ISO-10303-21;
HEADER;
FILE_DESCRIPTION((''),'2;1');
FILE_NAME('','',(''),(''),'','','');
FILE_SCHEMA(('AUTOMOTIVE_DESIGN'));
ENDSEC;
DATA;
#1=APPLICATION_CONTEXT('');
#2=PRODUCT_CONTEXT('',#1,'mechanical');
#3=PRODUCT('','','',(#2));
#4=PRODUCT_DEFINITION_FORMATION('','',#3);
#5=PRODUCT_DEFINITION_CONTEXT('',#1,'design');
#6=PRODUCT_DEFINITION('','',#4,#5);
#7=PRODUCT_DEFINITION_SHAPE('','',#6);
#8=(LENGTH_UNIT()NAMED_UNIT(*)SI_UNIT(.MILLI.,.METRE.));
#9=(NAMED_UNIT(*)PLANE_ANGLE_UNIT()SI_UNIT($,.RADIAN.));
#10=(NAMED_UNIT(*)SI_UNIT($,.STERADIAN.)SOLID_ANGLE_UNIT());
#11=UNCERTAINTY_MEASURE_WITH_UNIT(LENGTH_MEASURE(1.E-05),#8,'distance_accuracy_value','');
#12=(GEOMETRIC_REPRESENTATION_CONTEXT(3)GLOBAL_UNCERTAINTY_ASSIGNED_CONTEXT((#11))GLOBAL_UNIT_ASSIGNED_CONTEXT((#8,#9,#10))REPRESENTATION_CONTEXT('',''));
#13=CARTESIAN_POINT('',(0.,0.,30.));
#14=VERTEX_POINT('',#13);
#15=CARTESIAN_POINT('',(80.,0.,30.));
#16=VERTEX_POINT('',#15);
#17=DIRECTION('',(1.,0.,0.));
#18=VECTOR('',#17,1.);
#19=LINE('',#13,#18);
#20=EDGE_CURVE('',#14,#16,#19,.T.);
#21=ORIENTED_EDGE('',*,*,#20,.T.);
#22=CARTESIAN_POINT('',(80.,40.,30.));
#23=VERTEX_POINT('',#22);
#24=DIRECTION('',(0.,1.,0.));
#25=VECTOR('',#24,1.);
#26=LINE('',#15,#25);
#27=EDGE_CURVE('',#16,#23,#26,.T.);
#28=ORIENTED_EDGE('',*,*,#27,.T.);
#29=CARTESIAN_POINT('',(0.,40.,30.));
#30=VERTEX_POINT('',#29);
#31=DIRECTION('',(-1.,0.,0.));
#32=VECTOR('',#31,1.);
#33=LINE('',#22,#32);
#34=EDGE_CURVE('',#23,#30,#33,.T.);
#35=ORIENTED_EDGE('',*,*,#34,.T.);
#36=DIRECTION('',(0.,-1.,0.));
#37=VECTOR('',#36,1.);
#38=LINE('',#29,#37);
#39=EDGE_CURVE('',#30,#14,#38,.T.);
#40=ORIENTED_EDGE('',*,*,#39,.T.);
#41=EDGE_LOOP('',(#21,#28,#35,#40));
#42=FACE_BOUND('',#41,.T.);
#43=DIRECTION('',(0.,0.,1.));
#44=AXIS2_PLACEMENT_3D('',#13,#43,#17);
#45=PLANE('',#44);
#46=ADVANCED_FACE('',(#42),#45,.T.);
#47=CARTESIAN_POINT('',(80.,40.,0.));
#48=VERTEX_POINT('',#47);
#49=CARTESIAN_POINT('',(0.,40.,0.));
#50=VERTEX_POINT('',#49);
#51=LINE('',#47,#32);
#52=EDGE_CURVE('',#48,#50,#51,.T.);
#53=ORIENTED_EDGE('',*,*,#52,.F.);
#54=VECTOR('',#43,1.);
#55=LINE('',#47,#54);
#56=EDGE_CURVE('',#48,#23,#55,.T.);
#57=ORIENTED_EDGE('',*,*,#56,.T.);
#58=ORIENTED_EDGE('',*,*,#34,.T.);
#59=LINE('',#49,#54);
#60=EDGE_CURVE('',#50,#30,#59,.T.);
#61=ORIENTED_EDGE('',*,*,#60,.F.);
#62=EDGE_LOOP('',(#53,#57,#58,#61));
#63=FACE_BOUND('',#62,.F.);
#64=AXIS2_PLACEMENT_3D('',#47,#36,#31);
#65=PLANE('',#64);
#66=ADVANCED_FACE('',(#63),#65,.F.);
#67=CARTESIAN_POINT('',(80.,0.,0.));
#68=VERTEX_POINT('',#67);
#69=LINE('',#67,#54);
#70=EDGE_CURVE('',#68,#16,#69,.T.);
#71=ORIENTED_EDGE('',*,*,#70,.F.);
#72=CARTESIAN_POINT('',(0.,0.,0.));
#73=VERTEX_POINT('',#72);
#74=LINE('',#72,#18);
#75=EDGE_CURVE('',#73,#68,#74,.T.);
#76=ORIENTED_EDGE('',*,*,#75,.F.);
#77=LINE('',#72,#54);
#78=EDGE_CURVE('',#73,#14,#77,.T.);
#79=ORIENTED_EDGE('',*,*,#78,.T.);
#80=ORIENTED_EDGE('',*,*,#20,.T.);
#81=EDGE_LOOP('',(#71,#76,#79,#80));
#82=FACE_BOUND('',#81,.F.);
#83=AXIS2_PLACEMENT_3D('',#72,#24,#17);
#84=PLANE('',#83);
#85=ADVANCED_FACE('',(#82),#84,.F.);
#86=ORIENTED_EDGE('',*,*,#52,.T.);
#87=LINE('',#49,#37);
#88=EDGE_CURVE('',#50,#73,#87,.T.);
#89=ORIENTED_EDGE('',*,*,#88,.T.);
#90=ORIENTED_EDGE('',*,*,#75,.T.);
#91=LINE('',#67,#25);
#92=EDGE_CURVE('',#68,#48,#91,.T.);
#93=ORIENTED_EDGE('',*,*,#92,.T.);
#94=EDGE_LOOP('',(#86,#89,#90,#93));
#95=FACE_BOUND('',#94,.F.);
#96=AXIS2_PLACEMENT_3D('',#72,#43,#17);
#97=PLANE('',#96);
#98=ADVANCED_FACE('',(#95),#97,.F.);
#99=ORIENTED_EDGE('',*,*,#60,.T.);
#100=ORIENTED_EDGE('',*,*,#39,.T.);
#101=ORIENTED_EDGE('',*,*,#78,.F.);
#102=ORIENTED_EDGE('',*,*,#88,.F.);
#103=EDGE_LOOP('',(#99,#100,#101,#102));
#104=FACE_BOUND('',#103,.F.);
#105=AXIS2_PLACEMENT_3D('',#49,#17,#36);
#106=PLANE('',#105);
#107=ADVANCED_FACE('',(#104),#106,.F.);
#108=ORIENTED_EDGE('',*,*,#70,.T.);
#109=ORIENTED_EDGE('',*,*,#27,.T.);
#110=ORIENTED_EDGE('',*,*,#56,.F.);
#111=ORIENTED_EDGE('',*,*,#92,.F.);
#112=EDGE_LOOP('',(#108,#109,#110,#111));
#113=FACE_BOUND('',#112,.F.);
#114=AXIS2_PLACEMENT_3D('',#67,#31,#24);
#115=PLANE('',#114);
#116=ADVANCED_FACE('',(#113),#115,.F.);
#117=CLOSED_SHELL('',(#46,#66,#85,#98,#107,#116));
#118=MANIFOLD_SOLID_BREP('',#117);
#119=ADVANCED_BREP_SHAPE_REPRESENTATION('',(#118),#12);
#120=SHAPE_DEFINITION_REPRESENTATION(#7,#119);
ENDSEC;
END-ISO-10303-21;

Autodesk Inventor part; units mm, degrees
ref_plane "YZ Plane" through (0, 0, 0) normal (1, 0, 0) x (0, 1, 0)
ref_plane "XZ Plane" through (0, 0, 0) normal (0, 1, 0) x (-1, 0, 0)
ref_plane "XY Plane" through (0, 0, 0) normal (0, 0, 1) x (1, 0, 0)
sketch "Náčrt1" plane through (0, 0, 0) normal (0, 0, 1) x (1, 0, 0)
  line L0 (0, 0) -> (80, 0)
  line L1 (80, 0) -> (80, 40)
  line L2 (80, 40) -> (0, 40)
  line L3 (0, 40) -> (0, 0)
  dimension "d0" = 80
  dimension "d1" = 40
extrude "Vysunutí1" add sketch "Náčrt1" along normal blind 30
sketch "Náčrt2" plane through (0, 0, 30) normal (0, 0, 1) x (1, 0, 0)
  point P0 (0, 0)
properties part number "Bottom"
